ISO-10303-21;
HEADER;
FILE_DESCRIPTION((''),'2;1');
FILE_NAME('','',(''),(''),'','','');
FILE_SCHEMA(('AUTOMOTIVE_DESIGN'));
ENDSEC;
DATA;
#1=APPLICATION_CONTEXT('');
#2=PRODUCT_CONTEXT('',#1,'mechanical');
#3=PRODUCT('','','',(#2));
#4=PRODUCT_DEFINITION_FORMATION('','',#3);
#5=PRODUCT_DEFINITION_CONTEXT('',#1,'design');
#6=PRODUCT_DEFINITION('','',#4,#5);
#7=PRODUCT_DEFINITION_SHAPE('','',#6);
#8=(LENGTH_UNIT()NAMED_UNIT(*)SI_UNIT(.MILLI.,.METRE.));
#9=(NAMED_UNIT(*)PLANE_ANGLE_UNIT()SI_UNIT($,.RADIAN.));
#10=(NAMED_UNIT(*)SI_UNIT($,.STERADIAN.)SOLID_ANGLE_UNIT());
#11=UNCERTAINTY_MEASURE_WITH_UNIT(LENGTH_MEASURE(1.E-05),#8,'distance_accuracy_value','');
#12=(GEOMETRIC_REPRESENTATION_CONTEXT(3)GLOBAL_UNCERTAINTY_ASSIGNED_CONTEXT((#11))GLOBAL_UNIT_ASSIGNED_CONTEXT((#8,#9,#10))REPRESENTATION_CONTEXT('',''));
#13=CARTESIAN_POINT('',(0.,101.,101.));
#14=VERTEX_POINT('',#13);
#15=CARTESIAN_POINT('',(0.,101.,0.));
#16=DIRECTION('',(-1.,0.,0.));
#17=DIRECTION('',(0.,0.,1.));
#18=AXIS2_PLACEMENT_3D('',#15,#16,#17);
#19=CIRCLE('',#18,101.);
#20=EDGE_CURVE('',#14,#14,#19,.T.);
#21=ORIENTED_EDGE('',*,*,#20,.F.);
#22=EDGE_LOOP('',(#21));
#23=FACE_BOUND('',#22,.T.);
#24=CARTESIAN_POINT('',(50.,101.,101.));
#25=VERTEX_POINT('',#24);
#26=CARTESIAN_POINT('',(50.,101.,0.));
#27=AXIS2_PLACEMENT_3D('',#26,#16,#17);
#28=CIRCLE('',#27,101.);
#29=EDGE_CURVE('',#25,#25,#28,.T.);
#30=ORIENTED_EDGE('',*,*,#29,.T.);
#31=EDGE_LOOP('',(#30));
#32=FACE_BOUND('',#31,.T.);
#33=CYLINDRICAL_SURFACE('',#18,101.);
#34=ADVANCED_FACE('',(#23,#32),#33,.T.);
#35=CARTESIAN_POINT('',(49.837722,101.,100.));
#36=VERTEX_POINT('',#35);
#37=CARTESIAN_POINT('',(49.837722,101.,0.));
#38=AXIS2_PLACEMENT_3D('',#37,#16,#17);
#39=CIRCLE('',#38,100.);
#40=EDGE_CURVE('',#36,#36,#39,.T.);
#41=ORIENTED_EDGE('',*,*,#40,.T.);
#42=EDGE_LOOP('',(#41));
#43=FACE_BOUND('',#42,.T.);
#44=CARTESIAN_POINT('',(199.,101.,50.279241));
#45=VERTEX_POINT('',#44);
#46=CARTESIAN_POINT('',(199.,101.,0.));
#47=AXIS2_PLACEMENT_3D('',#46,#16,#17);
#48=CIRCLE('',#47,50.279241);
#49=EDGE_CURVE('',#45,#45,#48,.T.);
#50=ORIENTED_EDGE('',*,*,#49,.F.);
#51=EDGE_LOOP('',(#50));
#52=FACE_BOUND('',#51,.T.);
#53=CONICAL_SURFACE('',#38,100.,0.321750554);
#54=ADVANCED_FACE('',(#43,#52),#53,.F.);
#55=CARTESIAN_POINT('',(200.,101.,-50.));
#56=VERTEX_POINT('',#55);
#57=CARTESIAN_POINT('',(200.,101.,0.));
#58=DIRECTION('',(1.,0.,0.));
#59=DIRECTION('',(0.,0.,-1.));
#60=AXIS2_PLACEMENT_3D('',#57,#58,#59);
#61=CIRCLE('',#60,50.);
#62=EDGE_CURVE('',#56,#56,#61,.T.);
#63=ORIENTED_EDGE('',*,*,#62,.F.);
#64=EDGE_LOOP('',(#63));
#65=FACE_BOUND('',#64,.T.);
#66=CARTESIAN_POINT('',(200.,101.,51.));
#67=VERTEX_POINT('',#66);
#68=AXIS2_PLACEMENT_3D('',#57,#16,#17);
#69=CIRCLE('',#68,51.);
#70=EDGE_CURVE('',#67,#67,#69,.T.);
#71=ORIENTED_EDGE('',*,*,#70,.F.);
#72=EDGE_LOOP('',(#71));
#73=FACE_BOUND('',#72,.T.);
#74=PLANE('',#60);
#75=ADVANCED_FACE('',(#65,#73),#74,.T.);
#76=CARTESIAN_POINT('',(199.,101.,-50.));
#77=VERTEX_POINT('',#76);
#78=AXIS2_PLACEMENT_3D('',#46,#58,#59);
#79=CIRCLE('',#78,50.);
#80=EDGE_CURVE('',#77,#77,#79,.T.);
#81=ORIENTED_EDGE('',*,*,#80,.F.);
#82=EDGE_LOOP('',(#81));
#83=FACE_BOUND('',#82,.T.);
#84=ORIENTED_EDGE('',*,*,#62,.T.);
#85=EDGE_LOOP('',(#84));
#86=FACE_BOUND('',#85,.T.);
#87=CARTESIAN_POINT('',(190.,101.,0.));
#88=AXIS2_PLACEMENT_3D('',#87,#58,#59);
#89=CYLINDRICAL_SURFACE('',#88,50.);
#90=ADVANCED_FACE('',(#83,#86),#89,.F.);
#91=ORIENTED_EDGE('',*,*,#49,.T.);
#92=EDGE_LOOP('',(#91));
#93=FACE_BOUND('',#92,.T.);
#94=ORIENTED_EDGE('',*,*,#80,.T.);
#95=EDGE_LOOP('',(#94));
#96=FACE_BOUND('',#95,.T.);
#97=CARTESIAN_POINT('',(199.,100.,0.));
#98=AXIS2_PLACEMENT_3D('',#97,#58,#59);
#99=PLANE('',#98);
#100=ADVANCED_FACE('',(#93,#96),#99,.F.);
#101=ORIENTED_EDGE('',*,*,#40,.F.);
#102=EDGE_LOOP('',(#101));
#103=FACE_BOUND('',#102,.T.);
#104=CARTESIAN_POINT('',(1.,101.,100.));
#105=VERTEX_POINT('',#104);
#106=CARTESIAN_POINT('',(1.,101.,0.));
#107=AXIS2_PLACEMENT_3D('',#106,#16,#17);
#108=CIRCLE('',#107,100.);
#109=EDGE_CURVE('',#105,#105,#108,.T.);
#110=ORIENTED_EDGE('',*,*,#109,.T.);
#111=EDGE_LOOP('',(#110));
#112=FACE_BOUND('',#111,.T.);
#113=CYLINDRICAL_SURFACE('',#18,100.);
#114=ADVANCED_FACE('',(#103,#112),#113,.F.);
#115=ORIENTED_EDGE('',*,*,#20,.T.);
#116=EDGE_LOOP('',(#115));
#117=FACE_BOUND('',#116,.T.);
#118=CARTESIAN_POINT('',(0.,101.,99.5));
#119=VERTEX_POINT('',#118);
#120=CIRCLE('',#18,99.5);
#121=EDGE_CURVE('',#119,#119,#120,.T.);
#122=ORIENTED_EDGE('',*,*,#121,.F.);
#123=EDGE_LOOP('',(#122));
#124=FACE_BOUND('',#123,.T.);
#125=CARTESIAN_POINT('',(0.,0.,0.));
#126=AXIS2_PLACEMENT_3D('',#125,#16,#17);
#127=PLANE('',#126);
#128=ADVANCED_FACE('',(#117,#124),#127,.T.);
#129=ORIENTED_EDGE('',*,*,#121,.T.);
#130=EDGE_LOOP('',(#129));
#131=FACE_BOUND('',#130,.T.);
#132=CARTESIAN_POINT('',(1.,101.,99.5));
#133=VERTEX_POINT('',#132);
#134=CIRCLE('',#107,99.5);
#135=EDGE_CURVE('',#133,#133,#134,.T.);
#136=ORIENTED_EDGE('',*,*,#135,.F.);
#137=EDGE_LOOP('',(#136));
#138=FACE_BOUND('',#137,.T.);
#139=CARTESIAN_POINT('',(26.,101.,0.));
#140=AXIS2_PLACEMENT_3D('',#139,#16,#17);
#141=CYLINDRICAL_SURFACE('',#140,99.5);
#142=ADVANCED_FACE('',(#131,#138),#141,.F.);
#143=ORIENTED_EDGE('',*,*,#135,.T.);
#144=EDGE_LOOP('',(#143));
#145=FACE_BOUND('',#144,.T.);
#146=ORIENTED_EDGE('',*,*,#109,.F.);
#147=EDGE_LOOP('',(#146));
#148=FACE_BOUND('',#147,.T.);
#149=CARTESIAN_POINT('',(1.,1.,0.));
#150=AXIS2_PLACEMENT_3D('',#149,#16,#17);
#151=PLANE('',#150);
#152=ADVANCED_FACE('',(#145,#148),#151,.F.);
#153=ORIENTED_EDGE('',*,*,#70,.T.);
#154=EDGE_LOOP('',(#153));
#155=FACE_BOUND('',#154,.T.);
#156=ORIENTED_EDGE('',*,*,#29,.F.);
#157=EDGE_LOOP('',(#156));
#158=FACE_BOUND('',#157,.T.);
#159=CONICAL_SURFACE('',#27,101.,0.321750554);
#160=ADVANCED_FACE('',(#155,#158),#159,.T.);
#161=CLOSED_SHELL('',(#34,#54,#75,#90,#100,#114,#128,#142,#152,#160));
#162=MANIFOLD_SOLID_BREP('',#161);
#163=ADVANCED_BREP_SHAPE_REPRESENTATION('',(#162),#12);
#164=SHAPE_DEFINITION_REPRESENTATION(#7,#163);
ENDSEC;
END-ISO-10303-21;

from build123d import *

# Parameters (mm, degrees)
SKETCH2_R          = 50
CUT_EXTRUDE1_DEPTH = 10
SKETCH3_R          = 1
CUT_EXTRUDE2_DEPTH = 180
SKETCH4_R          = 1
CUT_EXTRUDE3_DEPTH = 1
SKETCH5_R          = 99.5
CUT_EXTRUDE7_DEPTH = 26


with BuildPart() as part:
    # Sketch1 → Revolve1 (revolve)
    with BuildSketch(Plane.XY):
        Polygon((0, 0), (50, 0), (200, 50), (200, 101), (0, 101), align=None)
        Polygon((49.83772234, 1), (199, 50.72075922), (199, 100), (1, 100), (1, 1), align=None, mode=Mode.SUBTRACT)
    revolve(axis=Axis((0, 101, 0), (1, 0, 0)))

    # Sketch2 → Cut-Extrude1 (cut)
    with BuildSketch(Plane(origin=(200, 0, 0), x_dir=(0, 0, -1), z_dir=(1, 0, 0))):
        with Locations((0, 101)):
            Circle(SKETCH2_R)
    extrude(amount=-CUT_EXTRUDE1_DEPTH, mode=Mode.SUBTRACT)

    # Sketch3 → Cut-Extrude2 (cut)
    with BuildSketch(Plane(origin=(190, 0, 0), x_dir=(0, 0, -1), z_dir=(1, 0, 0))):
        with Locations((0, 101)):
            Circle(SKETCH3_R)
    extrude(amount=-CUT_EXTRUDE2_DEPTH, mode=Mode.SUBTRACT)

    # Sketch4 → Cut-Extrude3 (cut)
    with BuildSketch(Plane(origin=(10, 0, 0), x_dir=(0, 0, -1), z_dir=(1, 0, 0))):
        with Locations((0, 101)):
            Circle(SKETCH4_R)
    extrude(amount=-CUT_EXTRUDE3_DEPTH, mode=Mode.SUBTRACT)

    # Sketch5 → Cut-Extrude7 (cut)
    with BuildSketch(Plane.ZY):
        with Locations((0, 101)):
            Circle(SKETCH5_R)
    extrude(amount=-CUT_EXTRUDE7_DEPTH, mode=Mode.SUBTRACT)


solid = part.part
